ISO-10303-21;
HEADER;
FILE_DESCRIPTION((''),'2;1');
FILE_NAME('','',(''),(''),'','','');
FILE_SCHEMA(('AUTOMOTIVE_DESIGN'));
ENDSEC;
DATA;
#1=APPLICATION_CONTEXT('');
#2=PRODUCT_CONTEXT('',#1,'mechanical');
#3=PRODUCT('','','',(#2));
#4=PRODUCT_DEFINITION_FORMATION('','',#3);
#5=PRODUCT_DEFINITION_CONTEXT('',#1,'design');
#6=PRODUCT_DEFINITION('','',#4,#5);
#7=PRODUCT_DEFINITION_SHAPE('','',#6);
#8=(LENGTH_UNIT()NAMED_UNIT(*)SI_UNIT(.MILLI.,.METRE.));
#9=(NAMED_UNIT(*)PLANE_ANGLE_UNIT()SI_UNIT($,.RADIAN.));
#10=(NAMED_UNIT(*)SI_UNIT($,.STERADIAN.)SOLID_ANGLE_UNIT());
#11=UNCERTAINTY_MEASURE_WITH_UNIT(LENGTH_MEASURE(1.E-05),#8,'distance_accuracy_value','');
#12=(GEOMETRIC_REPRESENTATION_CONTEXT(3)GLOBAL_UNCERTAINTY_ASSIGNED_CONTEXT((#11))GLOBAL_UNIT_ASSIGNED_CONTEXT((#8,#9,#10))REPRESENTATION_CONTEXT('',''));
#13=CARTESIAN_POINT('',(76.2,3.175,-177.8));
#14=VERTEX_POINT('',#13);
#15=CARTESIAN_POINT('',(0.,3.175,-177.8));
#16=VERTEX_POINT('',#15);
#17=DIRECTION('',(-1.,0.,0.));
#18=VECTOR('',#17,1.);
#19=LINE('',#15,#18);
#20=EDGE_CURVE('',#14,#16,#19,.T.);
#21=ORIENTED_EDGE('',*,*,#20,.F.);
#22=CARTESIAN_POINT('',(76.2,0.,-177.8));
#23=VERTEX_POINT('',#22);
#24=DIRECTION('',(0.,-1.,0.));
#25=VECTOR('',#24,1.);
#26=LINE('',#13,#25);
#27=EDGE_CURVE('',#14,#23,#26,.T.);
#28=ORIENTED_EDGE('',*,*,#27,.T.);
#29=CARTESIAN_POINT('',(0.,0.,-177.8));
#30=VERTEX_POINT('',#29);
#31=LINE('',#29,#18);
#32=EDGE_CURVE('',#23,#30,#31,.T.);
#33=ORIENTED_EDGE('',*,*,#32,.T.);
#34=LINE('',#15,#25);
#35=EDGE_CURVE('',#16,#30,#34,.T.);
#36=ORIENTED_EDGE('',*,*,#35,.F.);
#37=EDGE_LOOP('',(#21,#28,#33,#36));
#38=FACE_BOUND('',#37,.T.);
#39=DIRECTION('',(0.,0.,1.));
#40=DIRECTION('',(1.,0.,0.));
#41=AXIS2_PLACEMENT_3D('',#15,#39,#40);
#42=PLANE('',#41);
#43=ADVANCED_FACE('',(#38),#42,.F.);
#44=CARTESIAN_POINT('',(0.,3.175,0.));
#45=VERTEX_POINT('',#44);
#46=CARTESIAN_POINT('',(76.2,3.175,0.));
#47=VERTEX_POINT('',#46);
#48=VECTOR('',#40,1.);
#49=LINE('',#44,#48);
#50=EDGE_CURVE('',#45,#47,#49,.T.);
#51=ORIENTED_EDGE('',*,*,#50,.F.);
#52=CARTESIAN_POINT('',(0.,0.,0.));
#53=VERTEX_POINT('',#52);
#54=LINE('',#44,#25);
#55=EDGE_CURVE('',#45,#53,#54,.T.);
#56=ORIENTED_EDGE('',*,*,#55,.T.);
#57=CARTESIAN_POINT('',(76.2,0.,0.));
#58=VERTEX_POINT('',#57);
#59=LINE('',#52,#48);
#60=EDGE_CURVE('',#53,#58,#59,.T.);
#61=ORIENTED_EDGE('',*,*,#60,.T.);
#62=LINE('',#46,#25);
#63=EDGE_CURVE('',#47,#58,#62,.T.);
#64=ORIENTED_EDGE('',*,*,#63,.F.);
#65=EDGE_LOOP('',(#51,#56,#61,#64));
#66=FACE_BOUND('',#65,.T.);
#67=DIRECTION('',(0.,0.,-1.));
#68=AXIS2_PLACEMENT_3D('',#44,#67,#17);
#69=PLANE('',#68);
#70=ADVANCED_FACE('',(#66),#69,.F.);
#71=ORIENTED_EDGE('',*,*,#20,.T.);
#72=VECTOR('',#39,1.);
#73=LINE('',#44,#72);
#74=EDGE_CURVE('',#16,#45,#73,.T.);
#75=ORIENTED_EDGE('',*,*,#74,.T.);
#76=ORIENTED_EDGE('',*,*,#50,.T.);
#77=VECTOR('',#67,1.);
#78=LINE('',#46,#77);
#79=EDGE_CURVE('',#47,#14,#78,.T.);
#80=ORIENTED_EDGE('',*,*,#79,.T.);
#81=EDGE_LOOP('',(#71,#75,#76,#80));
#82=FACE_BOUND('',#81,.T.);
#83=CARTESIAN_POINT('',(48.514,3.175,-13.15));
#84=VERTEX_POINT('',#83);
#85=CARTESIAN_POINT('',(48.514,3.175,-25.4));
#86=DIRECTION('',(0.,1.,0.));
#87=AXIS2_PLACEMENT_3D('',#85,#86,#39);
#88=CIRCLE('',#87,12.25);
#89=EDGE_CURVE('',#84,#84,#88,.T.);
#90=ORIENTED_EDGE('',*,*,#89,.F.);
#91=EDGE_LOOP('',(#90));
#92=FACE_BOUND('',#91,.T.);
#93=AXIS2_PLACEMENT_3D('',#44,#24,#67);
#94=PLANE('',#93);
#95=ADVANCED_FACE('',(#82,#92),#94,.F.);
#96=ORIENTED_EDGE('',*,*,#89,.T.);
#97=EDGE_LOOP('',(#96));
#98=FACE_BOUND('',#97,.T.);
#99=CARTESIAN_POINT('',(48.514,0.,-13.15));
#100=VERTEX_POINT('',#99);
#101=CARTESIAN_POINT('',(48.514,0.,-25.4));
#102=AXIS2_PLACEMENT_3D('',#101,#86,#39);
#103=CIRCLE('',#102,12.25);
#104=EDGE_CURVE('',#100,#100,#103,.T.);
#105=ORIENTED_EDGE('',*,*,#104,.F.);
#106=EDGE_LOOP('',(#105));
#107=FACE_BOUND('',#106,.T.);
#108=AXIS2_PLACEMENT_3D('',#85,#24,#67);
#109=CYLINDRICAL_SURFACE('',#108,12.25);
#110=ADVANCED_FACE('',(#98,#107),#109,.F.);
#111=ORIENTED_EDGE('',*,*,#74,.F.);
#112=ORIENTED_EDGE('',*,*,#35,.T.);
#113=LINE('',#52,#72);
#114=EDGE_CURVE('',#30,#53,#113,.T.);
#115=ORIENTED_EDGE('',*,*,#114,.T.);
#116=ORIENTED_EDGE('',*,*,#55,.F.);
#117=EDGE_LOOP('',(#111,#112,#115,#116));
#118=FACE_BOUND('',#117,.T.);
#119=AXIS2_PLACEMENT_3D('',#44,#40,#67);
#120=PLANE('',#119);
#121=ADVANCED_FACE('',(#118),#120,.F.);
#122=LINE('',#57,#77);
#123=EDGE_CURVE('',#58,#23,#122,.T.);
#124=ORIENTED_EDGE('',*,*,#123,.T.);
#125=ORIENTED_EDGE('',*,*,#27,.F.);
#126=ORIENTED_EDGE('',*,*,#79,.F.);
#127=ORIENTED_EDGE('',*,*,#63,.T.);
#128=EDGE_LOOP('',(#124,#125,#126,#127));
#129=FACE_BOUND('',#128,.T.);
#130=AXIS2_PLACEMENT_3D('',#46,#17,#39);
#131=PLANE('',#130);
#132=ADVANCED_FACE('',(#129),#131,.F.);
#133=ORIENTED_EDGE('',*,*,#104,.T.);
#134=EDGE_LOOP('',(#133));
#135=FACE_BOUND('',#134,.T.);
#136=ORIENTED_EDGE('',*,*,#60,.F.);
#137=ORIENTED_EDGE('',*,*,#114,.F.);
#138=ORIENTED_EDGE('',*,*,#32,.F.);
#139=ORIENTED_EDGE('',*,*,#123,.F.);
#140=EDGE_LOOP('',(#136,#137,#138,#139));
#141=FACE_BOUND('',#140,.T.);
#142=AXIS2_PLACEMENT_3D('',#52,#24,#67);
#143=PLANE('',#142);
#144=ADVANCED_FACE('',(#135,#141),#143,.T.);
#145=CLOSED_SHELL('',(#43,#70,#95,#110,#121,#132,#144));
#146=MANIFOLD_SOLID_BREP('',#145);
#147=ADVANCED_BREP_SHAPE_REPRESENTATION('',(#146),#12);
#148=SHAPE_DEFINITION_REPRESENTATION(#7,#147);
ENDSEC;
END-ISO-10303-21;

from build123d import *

# Parameters (mm, degrees)
SKETCH1_W           = 76.2
SKETCH1_H           = 177.8
SKETCH1_R           = 12.25
BOSS_EXTRUDE1_DEPTH = 3.175


with BuildPart() as part:
    # Sketch1 → Boss-Extrude1 (new body)
    with BuildSketch(Plane(origin=(0, 0, 0), x_dir=(1, 0, 0), z_dir=(0, 1, 0))):
        with Locations((38.1, 88.9)):
            Rectangle(SKETCH1_W, SKETCH1_H)
        with Locations(Location((48.514, 25.4, 0), (0, 0, 270))):
            Circle(SKETCH1_R, mode=Mode.SUBTRACT)
    extrude(amount=BOSS_EXTRUDE1_DEPTH)


solid = part.part
